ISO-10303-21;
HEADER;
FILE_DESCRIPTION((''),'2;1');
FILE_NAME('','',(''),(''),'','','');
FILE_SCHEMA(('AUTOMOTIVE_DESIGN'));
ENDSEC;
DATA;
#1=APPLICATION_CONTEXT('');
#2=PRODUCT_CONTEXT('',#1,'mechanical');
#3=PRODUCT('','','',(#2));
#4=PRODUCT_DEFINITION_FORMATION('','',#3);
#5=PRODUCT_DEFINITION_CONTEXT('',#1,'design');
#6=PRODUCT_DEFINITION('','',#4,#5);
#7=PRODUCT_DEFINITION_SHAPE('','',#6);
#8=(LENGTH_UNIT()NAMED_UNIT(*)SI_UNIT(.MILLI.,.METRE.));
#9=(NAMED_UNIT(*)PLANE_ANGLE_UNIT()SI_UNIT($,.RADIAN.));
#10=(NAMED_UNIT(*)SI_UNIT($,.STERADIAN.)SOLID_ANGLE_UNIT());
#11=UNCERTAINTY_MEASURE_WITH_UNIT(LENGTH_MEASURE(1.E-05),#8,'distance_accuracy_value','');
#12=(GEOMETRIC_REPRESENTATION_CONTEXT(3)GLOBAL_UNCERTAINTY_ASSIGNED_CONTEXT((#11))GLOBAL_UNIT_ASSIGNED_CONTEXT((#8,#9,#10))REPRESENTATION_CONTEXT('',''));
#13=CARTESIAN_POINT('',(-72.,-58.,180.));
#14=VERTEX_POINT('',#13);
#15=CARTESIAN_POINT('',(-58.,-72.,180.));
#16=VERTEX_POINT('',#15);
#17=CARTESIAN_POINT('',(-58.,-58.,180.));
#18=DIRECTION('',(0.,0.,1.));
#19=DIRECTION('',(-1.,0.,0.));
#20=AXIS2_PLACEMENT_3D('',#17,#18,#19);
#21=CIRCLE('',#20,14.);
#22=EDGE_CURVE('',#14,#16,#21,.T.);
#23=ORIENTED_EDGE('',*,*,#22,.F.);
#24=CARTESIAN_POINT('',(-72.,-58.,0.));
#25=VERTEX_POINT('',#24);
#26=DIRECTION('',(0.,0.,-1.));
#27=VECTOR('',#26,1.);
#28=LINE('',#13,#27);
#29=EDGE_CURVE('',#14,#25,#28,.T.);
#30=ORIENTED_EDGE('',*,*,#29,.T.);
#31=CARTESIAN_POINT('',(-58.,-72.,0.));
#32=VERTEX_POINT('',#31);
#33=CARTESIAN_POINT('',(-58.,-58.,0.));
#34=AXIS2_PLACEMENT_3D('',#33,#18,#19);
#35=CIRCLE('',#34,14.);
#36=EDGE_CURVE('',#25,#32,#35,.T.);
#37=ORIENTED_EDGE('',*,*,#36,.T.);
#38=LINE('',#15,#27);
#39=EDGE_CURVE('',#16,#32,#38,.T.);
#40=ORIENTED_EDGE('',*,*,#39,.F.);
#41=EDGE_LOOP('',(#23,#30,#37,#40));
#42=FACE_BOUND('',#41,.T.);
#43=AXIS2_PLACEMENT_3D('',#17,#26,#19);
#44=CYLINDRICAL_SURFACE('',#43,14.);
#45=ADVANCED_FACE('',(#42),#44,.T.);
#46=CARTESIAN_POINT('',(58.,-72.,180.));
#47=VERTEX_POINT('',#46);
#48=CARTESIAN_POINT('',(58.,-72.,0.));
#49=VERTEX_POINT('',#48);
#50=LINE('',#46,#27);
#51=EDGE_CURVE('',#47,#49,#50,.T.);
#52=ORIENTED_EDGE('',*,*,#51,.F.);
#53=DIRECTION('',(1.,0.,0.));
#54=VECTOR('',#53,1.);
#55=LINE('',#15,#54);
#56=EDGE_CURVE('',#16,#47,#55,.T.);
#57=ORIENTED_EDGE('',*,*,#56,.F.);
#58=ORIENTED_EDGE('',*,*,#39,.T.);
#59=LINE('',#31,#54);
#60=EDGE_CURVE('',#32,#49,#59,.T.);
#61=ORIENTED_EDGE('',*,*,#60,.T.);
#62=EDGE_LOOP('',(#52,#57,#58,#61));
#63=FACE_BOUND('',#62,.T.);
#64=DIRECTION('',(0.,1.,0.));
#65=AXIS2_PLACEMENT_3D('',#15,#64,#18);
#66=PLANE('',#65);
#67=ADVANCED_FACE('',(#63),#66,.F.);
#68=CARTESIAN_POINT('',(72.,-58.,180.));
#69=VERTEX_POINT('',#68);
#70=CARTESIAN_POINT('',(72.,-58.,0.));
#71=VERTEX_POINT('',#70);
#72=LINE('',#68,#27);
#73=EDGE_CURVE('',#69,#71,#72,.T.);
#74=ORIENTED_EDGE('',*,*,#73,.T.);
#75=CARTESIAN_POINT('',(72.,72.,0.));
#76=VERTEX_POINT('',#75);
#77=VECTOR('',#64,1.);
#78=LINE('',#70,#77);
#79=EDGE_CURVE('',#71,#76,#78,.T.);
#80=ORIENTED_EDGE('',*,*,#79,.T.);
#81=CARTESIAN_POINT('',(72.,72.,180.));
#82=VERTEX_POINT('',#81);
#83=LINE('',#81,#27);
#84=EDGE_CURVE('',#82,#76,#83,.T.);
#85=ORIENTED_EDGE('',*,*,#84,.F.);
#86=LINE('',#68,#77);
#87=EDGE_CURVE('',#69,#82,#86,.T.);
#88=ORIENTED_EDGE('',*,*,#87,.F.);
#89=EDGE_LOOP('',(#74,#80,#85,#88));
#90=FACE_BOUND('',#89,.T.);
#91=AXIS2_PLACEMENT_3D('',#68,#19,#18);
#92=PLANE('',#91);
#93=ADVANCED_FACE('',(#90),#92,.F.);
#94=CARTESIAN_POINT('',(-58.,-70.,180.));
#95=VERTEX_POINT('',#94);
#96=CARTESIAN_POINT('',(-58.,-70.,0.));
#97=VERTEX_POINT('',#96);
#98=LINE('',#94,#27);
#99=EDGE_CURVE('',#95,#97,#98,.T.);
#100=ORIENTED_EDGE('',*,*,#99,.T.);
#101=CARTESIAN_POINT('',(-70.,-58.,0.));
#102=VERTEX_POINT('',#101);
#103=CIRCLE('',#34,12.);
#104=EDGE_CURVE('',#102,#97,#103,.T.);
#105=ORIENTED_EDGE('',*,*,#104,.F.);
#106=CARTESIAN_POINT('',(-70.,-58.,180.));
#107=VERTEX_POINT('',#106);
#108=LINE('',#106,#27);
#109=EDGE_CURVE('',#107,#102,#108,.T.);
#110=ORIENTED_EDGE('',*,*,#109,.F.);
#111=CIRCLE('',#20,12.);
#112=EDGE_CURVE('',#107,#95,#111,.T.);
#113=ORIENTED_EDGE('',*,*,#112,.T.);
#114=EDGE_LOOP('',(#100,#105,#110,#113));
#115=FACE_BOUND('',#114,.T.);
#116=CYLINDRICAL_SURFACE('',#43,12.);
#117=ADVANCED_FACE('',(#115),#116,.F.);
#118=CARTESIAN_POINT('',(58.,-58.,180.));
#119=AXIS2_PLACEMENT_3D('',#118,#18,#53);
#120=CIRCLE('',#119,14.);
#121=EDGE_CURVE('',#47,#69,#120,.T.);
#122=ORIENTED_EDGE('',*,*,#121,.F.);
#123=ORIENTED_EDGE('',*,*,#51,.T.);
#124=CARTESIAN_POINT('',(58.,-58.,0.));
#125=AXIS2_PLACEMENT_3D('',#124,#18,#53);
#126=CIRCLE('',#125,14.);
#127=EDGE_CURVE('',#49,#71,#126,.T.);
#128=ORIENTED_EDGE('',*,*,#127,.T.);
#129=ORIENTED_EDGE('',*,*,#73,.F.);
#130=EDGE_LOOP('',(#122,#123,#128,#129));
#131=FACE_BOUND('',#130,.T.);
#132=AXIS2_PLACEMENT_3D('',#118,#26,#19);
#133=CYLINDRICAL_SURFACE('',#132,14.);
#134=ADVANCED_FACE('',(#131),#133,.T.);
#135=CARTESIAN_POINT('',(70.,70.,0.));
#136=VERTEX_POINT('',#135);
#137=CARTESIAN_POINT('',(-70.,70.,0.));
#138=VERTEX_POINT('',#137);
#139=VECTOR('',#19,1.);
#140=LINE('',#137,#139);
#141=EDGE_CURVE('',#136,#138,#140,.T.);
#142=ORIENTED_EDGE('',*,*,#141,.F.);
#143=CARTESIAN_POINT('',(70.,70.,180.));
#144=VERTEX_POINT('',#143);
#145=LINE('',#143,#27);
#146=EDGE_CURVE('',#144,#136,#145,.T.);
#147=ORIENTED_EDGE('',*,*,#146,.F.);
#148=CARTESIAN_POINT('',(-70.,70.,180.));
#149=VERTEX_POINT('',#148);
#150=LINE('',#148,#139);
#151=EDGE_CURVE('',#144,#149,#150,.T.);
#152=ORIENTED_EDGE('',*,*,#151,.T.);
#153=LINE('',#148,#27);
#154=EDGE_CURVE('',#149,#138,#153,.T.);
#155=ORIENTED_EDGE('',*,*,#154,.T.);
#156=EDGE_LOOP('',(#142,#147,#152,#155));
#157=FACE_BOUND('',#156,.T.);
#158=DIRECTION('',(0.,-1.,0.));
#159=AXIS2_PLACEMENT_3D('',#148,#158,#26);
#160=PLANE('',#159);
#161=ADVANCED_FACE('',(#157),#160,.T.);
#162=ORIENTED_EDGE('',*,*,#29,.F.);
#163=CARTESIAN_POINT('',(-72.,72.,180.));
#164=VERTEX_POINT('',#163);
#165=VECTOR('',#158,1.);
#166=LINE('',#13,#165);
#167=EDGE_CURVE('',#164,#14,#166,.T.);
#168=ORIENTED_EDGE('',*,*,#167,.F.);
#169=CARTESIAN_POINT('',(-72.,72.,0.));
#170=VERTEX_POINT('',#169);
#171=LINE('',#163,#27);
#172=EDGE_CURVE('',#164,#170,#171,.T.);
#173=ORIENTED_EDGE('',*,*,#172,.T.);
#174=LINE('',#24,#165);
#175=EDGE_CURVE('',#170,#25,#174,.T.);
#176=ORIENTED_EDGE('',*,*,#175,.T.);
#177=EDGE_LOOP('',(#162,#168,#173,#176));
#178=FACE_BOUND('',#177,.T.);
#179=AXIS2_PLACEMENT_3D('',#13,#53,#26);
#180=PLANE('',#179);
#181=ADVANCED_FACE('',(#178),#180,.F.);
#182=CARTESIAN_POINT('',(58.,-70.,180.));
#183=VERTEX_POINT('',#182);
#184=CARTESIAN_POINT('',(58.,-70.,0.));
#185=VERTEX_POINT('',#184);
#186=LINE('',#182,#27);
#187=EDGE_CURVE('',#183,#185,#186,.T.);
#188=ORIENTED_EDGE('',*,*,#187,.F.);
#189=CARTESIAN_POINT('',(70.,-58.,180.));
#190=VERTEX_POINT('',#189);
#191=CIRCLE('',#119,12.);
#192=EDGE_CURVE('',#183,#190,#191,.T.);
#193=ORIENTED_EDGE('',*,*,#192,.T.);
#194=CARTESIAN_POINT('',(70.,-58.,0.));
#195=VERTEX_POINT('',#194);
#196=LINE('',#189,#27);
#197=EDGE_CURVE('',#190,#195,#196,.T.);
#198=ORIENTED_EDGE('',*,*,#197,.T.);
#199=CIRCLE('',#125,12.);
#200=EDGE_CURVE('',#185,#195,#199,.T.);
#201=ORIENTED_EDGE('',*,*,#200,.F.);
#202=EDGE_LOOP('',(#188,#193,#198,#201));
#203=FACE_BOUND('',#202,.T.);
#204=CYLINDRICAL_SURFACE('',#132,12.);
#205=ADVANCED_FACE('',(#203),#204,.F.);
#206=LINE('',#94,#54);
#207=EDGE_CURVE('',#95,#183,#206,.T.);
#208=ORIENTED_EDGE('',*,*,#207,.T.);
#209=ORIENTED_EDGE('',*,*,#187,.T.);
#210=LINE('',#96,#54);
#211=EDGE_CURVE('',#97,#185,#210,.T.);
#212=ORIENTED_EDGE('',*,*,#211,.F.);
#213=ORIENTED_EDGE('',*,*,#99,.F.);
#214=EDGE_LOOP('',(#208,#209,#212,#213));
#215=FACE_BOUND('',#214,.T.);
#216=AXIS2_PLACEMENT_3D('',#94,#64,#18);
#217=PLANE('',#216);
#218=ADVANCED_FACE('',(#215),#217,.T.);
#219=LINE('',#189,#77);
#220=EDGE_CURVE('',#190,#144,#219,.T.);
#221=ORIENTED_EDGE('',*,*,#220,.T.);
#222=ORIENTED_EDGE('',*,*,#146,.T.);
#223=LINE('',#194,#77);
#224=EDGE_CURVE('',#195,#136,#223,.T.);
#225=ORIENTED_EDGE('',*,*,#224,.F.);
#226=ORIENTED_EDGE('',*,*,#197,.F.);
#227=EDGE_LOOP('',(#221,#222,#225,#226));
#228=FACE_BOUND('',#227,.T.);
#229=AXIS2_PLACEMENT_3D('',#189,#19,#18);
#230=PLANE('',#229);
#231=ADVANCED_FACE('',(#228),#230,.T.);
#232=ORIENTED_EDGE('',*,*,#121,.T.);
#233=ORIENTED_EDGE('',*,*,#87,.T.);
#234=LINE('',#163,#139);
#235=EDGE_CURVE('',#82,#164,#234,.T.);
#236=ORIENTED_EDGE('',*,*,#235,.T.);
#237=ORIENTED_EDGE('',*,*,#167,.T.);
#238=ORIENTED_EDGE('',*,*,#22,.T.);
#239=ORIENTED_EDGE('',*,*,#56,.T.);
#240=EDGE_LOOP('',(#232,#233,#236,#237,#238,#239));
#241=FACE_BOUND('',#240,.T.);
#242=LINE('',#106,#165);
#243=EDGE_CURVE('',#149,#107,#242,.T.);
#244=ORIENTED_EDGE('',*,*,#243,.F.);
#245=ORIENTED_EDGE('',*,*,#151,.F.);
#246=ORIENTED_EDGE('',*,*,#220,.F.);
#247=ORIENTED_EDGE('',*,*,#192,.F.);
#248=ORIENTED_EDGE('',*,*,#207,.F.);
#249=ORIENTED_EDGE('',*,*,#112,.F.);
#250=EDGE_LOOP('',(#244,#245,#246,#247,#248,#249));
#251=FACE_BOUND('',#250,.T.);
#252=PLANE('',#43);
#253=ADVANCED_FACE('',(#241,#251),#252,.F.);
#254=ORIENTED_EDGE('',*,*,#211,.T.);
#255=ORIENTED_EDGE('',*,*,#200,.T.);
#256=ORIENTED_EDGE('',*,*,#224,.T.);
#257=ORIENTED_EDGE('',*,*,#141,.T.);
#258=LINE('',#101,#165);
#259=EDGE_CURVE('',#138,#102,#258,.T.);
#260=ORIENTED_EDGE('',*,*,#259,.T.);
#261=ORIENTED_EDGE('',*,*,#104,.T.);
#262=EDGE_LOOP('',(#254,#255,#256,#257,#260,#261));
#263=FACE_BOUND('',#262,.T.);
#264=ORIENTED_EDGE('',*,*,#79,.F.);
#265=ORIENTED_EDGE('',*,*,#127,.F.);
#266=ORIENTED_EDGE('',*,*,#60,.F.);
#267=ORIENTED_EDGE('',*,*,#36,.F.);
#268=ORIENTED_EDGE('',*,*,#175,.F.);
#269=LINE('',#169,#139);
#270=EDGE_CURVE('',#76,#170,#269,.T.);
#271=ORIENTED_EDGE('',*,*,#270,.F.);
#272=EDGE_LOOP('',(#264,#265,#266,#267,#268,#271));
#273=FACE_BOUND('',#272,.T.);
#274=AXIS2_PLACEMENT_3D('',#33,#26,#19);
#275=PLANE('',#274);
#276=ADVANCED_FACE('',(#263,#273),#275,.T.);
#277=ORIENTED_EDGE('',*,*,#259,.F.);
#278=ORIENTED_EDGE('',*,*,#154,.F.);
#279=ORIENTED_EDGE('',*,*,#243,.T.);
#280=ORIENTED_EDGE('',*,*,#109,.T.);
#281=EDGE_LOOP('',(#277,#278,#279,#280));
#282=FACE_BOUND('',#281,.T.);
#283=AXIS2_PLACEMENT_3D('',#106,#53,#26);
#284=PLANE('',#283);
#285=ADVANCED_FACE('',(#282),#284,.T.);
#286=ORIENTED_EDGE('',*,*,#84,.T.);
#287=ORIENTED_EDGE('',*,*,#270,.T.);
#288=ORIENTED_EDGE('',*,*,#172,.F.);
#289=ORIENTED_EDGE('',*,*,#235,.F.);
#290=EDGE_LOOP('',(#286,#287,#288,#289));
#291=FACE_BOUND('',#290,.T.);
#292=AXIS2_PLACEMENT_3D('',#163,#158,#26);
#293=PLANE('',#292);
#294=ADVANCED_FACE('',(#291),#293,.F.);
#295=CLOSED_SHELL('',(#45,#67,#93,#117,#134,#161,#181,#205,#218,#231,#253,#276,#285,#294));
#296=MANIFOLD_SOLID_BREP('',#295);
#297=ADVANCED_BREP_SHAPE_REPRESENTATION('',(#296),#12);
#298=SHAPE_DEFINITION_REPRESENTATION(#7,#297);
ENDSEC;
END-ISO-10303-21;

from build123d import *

# Parameters (mm, degrees)
BOSS_EXTRUDE1_DEPTH = 180


with BuildPart() as part:
    # Sketch1 → Boss-Extrude1 (new body)
    with BuildSketch(Plane.XY):
        with BuildLine():
            Line((-58, -72), (58, -72))
            ThreePointArc((58, -72), (67.899494937, -67.899494937), (72, -58))
            Line((72, -58), (72, 72))
            Line((72, 72), (-72, 72))
            Line((-72, 72), (-72, -58))
            ThreePointArc((-72, -58), (-67.899494937, -67.899494937), (-58, -72))
        make_face()
        with BuildLine():
            Line((-70, -58), (-70, 70))
            Line((-70, 70), (70, 70))
            Line((70, 70), (70, -58))
            ThreePointArc((70, -58), (66.485281374, -66.485281374), (58, -70))
            Line((58, -70), (-58, -70))
            ThreePointArc((-58, -70), (-66.485281374, -66.485281374), (-70, -58))
        make_face(mode=Mode.SUBTRACT)
    extrude(amount=BOSS_EXTRUDE1_DEPTH)


solid = part.part
